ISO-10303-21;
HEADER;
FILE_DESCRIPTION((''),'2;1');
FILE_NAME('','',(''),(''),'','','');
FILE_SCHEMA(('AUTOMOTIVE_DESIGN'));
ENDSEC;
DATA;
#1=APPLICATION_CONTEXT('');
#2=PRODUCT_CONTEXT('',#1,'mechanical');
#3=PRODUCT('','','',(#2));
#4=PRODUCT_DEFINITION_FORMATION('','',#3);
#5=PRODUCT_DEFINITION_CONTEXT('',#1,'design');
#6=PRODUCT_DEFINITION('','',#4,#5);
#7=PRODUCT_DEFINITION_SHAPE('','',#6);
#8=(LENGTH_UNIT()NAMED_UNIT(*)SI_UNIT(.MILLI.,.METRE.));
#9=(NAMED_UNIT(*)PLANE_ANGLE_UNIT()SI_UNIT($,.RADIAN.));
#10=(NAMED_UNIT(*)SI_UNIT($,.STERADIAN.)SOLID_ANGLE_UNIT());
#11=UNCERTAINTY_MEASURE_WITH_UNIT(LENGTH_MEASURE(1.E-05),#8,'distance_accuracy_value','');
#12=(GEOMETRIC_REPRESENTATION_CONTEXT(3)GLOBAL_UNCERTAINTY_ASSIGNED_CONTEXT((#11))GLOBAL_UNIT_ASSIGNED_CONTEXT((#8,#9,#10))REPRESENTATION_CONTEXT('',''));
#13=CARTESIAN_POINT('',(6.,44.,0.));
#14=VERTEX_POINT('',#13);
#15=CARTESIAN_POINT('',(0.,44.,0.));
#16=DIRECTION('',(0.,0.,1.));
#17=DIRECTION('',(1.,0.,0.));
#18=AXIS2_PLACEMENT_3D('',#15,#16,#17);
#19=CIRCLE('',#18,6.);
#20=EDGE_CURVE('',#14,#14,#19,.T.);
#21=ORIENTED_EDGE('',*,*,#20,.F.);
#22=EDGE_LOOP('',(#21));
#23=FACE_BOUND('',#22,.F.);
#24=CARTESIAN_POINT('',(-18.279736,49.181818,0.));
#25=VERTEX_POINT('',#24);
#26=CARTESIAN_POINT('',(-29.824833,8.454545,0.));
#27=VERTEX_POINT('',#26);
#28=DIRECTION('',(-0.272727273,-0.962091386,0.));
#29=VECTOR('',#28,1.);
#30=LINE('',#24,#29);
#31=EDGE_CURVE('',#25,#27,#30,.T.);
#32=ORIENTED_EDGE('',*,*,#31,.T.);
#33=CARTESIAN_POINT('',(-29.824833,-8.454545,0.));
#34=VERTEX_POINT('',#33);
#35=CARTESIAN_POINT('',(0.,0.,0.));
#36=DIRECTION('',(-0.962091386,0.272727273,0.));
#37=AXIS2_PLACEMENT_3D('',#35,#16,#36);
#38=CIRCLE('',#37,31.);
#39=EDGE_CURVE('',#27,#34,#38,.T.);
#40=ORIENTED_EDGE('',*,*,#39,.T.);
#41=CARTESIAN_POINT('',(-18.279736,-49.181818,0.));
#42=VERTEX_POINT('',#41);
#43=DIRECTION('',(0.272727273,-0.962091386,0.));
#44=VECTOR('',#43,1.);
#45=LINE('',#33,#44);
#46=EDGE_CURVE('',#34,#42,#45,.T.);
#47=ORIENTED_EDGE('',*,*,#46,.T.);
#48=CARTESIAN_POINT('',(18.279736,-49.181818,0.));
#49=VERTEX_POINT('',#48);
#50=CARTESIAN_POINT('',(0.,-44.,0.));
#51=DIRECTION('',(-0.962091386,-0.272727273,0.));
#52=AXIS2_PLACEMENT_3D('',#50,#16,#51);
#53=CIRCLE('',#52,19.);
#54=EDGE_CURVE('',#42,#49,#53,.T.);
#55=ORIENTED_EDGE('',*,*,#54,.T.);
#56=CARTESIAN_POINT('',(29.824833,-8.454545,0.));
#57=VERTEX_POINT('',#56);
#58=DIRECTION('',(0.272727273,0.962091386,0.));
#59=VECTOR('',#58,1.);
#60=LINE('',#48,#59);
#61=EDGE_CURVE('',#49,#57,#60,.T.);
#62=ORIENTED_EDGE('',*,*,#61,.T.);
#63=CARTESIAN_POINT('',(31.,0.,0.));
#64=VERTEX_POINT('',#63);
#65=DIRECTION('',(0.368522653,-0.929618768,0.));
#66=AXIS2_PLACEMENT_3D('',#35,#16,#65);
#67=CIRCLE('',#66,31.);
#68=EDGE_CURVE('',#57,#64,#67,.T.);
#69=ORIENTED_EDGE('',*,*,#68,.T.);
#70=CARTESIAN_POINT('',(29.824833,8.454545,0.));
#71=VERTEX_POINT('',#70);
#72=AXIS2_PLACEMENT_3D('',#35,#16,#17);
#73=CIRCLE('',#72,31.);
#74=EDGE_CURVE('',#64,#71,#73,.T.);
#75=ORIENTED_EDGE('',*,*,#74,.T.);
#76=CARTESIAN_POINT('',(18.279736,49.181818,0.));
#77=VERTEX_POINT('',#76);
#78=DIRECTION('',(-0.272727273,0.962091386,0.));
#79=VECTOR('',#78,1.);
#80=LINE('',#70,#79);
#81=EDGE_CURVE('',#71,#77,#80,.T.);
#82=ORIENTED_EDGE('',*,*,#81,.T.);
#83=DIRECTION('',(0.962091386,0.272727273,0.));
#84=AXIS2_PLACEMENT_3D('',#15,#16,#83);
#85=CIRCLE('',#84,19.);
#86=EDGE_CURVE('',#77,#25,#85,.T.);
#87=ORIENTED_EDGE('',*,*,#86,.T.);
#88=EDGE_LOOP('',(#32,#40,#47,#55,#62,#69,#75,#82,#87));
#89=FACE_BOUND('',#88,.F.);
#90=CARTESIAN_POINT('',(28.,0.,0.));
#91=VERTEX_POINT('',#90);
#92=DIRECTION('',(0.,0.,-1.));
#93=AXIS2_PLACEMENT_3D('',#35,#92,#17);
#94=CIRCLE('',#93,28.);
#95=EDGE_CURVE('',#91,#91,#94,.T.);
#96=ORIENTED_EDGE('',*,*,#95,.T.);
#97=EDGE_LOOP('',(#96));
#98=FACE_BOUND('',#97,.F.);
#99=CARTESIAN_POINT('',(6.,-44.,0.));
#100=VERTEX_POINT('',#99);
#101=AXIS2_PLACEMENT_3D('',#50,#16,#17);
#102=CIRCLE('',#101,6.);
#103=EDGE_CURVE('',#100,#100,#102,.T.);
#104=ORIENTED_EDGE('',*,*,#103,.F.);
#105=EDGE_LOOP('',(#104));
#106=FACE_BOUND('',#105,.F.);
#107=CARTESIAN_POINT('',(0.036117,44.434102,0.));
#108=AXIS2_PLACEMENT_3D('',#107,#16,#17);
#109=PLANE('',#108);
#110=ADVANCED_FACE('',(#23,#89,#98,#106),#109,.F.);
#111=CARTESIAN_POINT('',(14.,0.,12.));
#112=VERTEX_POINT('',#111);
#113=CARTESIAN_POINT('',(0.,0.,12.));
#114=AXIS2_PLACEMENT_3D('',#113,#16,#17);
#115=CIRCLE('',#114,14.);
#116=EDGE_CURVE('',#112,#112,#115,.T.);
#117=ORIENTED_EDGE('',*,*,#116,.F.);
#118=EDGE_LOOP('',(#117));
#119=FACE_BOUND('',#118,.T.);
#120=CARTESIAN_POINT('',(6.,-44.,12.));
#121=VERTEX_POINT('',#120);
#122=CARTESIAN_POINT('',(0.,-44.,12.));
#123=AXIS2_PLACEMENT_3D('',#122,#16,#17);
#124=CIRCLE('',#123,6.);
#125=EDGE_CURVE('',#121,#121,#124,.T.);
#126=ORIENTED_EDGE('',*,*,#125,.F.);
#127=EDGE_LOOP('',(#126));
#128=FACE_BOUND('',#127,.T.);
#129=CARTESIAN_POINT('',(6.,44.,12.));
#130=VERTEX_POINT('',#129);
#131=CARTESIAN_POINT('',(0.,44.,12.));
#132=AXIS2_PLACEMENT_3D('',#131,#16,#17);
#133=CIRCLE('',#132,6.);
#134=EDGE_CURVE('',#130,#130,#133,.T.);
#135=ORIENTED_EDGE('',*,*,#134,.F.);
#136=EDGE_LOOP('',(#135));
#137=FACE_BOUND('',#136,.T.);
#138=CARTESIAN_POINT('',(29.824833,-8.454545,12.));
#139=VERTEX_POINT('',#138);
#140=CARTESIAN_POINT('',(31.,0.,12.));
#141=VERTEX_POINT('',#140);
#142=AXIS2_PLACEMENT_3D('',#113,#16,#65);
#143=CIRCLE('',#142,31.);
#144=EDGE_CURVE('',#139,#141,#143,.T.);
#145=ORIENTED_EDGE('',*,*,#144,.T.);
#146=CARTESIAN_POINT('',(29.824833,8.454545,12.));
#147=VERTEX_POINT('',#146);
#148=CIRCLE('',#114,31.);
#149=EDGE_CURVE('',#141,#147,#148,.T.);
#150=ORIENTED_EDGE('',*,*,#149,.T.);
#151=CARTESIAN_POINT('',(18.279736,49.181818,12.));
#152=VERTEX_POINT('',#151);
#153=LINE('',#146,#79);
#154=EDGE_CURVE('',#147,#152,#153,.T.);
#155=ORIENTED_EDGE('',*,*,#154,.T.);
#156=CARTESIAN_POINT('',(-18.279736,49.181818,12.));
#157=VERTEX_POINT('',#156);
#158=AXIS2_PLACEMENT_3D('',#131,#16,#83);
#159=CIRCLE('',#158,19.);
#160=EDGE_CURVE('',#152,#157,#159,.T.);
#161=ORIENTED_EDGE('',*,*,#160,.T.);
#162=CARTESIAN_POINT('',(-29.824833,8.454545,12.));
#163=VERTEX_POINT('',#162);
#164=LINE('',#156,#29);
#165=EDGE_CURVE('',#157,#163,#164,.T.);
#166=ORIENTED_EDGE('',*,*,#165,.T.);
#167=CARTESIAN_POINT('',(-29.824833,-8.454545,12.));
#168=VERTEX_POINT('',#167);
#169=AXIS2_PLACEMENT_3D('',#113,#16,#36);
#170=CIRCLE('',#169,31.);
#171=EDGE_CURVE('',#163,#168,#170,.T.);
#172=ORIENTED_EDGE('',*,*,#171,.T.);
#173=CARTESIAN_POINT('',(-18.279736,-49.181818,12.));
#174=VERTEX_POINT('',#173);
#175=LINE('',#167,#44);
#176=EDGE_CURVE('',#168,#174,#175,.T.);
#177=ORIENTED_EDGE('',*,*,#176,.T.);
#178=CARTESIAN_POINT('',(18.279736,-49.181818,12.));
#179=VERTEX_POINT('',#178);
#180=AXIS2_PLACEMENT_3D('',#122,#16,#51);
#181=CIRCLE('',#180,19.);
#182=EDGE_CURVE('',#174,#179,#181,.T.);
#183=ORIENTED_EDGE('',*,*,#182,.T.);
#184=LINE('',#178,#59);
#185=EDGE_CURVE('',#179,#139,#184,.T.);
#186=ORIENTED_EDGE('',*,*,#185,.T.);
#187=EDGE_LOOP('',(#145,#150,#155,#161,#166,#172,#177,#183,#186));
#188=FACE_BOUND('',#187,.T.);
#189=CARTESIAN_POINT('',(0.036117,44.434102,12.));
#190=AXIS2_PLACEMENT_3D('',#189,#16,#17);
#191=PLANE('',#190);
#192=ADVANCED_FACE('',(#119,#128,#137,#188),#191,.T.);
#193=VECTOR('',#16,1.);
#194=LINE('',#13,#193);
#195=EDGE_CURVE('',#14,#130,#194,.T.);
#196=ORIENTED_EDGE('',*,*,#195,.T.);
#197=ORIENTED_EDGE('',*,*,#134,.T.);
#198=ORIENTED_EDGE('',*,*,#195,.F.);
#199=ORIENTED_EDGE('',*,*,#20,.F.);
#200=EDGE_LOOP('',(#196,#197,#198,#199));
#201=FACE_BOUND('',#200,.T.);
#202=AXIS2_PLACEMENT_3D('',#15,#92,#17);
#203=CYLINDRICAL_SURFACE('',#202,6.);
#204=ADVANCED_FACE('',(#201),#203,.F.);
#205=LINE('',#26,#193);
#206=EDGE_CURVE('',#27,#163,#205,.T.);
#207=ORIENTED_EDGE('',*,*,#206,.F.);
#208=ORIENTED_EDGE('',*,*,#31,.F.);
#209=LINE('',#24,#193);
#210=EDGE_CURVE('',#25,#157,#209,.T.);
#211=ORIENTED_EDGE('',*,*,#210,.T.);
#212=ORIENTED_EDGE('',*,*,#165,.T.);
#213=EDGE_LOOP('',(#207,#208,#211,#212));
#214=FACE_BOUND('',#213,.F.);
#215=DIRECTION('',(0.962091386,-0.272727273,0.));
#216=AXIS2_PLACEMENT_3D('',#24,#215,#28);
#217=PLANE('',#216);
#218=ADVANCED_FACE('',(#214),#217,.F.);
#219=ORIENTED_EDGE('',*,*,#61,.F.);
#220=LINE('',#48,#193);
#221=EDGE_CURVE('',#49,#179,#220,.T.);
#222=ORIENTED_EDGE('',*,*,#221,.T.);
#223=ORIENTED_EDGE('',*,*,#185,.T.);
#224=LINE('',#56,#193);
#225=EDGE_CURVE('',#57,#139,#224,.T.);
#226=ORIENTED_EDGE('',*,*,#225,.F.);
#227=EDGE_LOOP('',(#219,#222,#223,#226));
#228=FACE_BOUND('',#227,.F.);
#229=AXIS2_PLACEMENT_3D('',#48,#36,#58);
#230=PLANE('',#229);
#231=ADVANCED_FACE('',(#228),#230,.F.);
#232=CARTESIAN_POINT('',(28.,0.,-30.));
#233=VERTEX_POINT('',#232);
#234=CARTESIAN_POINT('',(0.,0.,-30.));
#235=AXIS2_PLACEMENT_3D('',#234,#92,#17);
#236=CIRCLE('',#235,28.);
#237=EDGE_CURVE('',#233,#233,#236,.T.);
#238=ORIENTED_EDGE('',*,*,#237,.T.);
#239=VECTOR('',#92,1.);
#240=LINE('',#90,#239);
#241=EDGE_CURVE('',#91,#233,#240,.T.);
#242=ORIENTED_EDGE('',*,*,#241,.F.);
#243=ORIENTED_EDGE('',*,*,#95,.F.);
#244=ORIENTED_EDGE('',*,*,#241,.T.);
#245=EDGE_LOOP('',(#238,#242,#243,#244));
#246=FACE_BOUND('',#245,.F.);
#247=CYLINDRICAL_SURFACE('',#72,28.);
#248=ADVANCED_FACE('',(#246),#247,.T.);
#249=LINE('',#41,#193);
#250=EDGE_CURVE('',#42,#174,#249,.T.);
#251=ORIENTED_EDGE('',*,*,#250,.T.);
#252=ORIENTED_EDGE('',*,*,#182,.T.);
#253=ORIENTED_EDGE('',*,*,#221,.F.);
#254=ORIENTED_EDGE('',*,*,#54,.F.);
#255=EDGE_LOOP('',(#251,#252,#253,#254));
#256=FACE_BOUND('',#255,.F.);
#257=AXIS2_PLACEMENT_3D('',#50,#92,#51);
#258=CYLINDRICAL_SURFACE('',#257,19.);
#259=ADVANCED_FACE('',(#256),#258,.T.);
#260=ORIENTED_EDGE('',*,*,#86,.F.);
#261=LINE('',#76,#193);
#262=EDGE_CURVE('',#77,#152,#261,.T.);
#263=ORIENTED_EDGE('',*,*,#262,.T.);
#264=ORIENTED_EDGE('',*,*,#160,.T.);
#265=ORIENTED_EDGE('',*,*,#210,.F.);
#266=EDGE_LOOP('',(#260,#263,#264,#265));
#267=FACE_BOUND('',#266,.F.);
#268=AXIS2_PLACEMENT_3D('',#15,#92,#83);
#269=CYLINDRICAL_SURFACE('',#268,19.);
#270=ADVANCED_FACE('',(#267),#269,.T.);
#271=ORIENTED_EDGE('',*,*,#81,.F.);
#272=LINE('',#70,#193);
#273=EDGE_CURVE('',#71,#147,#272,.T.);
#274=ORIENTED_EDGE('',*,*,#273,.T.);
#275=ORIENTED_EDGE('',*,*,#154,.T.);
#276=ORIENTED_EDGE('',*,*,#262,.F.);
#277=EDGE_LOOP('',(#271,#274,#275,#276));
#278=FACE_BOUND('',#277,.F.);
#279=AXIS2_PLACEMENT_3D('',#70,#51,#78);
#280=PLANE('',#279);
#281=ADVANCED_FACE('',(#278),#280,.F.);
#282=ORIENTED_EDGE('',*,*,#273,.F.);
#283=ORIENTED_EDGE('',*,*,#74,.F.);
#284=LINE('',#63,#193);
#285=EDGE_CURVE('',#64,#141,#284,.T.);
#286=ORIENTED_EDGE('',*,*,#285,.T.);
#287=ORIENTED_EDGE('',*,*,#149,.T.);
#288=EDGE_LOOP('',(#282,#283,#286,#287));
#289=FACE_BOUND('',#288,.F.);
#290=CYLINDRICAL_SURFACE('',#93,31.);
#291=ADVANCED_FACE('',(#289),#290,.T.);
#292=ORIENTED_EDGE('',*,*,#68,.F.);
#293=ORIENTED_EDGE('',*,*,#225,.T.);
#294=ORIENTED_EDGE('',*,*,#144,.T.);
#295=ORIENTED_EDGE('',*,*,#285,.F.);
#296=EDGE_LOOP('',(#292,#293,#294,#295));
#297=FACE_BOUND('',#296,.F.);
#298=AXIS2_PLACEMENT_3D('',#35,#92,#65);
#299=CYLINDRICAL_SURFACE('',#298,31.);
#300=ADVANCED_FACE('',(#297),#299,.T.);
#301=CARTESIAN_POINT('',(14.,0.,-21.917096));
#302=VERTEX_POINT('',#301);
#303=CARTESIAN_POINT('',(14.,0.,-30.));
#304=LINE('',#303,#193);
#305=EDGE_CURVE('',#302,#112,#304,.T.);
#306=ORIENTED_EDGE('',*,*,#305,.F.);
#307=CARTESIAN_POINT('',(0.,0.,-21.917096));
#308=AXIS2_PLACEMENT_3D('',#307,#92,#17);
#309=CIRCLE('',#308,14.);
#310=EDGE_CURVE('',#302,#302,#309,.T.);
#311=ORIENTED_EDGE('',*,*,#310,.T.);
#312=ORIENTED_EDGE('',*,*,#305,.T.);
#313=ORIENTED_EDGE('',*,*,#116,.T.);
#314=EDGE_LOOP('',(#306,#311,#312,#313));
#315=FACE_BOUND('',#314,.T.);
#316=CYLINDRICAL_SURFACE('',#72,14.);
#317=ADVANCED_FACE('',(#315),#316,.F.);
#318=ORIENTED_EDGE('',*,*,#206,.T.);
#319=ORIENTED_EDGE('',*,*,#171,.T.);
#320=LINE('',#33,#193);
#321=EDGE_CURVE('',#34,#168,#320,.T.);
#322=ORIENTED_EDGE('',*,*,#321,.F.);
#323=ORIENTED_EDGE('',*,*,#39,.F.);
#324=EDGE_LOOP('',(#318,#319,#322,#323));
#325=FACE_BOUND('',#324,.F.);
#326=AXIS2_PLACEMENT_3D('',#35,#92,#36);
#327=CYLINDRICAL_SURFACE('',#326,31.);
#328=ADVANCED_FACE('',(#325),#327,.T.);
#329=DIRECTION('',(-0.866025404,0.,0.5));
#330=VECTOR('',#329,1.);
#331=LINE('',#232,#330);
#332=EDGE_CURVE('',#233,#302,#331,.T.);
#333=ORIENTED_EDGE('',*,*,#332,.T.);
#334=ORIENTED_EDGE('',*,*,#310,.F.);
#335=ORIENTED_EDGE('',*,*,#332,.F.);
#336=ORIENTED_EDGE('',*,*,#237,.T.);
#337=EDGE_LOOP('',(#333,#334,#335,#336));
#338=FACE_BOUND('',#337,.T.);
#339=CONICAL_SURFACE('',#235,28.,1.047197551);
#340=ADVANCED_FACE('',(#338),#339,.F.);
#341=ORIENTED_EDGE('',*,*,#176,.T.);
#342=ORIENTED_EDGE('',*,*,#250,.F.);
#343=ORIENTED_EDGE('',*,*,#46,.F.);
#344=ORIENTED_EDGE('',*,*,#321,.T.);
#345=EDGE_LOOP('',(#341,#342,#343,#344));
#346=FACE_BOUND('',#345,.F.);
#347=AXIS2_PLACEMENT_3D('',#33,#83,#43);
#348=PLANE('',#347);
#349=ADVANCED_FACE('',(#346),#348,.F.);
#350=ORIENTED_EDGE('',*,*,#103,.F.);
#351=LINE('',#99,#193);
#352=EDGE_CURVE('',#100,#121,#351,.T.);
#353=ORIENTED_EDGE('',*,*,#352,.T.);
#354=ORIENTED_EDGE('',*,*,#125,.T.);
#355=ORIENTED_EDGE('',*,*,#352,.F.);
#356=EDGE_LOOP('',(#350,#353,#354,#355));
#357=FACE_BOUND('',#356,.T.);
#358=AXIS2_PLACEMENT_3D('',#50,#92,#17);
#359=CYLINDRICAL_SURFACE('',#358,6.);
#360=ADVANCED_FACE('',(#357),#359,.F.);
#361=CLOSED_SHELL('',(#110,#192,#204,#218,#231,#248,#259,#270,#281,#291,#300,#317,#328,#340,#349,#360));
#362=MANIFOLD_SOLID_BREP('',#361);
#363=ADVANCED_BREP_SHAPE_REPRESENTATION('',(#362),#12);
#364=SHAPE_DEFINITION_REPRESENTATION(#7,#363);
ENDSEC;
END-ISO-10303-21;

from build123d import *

# Parameters (mm, degrees)
F0_R     = 6
F0_R_2   = 14
F1_DEPTH = 12
F2_R     = 28
F2_R_2   = 14
F3_DEPTH = 30


with BuildPart() as f1:
    # F0 (on Top) → F1 (new body)
    with BuildSketch(Plane.XY):
        with BuildLine():
            ThreePointArc((11.4242022345, 28.8181818182), (17.0008800133, 35.5164819342), (19, 44))
            ThreePointArc((19, 44), (18.8190726431, 46.6158182), (18.279736331, 49.1818181818))
            ThreePointArc((18.279736331, 49.1818181818), (0, 63), (-18.279736331, 49.1818181818))
            ThreePointArc((-18.279736331, 49.1818181818), (-18.0069545749, 37.9378562425), (-11.4242022345, 28.8181818182))
            ThreePointArc((-11.4242022345, 28.8181818182), (0, 31), (11.4242022345, 28.8181818182))
        make_face()
        with Locations((0, 44)):
            Circle(F0_R, mode=Mode.SUBTRACT)
        with BuildLine():
            ThreePointArc((-11.4242022345, 28.8181818182), (-18.0069545749, 37.9378562425), (-18.279736331, 49.1818181818))
            Line((-18.279736331, 49.1818181818), (-29.8248329611, 8.4545454545))
            ThreePointArc((-29.8248329611, 8.4545454545), (-23.000872758, 20.7836438665), (-11.4242022345, 28.8181818182))
        make_face()
        with BuildLine():
            ThreePointArc((18.279736331, 49.1818181818), (18.8190726431, 46.6158182), (19, 44))
            ThreePointArc((19, 44), (17.0008800133, 35.5164819342), (11.4242022345, 28.8181818182))
            ThreePointArc((11.4242022345, 28.8181818182), (23.000872758, 20.7836438665), (29.8248329611, 8.4545454545))
            Line((29.8248329611, 8.4545454545), (18.279736331, 49.1818181818))
        make_face()
        with BuildLine():
            ThreePointArc((-11.4242022345, 28.8181818182), (0, 25), (11.4242022345, 28.8181818182))
            ThreePointArc((11.4242022345, 28.8181818182), (0, 31), (-11.4242022345, 28.8181818182))
        make_face()
        with BuildLine():
            ThreePointArc((29.8248329611, 8.4545454545), (23.000872758, 20.7836438665), (11.4242022345, 28.8181818182))
            ThreePointArc((11.4242022345, 28.8181818182), (0, 25), (-11.4242022345, 28.8181818182))
            ThreePointArc((-11.4242022345, 28.8181818182), (-23.000872758, 20.7836438665), (-29.8248329611, 8.4545454545))
            ThreePointArc((-29.8248329611, 8.4545454545), (-31, 0), (-29.8248329611, -8.4545454545))
            ThreePointArc((-29.8248329611, -8.4545454545), (-23.000872758, -20.7836438665), (-11.4242022345, -28.8181818182))
            ThreePointArc((-11.4242022345, -28.8181818182), (0, -25), (11.4242022345, -28.8181818182))
            ThreePointArc((11.4242022345, -28.8181818182), (23.000872758, -20.7836438665), (29.8248329611, -8.4545454545))
            ThreePointArc((29.8248329611, -8.4545454545), (30.7048027334, -4.2679139053), (31, 0))
            ThreePointArc((31, 0), (30.7048027334, 4.2679139053), (29.8248329611, 8.4545454545))
        make_face()
        Circle(F0_R_2, mode=Mode.SUBTRACT)
        with BuildLine():
            ThreePointArc((11.4242022345, -28.8181818182), (0, -25), (-11.4242022345, -28.8181818182))
            ThreePointArc((-11.4242022345, -28.8181818182), (0, -31), (11.4242022345, -28.8181818182))
        make_face()
        with BuildLine():
            ThreePointArc((-11.4242022345, -28.8181818182), (-23.000872758, -20.7836438665), (-29.8248329611, -8.4545454545))
            Line((-29.8248329611, -8.4545454545), (-18.279736331, -49.1818181818))
            ThreePointArc((-18.279736331, -49.1818181818), (-18.0069545749, -37.9378562425), (-11.4242022345, -28.8181818182))
        make_face()
        with BuildLine():
            Line((18.279736331, -49.1818181818), (29.8248329611, -8.4545454545))
            ThreePointArc((29.8248329611, -8.4545454545), (23.000872758, -20.7836438665), (11.4242022345, -28.8181818182))
            ThreePointArc((11.4242022345, -28.8181818182), (17.0008800133, -35.5164819342), (19, -44))
            ThreePointArc((19, -44), (18.8190726431, -46.6158182), (18.279736331, -49.1818181818))
        make_face()
        with BuildLine():
            ThreePointArc((11.4242022345, -28.8181818182), (0, -31), (-11.4242022345, -28.8181818182))
            ThreePointArc((-11.4242022345, -28.8181818182), (-18.0069545749, -37.9378562425), (-18.279736331, -49.1818181818))
            ThreePointArc((-18.279736331, -49.1818181818), (0, -63), (18.279736331, -49.1818181818))
            ThreePointArc((18.279736331, -49.1818181818), (18.8190726431, -46.6158182), (19, -44))
            ThreePointArc((19, -44), (17.0008800133, -35.5164819342), (11.4242022345, -28.8181818182))
        make_face()
        with Locations((0, -44)):
            Circle(F0_R, mode=Mode.SUBTRACT)
    extrude(amount=F1_DEPTH)

    # F2 (on face) → F3 (join)
    with BuildSketch(Plane(origin=(0, 0, 0), x_dir=(1, 0, 0), z_dir=(0, 0, -1))):
        Circle(F2_R)
        Circle(F2_R_2, mode=Mode.SUBTRACT)
    extrude(amount=F3_DEPTH)

    # F4 (on Front) → F5 (revolve, cut)
    with BuildSketch(Plane.XZ):
        Polygon((28, -30), (14, -21.9170962313), (14, -30), align=None)
    revolve(axis=Axis((0, 0, -30), (0, 0, -1)), mode=Mode.SUBTRACT)


solid = f1.part
